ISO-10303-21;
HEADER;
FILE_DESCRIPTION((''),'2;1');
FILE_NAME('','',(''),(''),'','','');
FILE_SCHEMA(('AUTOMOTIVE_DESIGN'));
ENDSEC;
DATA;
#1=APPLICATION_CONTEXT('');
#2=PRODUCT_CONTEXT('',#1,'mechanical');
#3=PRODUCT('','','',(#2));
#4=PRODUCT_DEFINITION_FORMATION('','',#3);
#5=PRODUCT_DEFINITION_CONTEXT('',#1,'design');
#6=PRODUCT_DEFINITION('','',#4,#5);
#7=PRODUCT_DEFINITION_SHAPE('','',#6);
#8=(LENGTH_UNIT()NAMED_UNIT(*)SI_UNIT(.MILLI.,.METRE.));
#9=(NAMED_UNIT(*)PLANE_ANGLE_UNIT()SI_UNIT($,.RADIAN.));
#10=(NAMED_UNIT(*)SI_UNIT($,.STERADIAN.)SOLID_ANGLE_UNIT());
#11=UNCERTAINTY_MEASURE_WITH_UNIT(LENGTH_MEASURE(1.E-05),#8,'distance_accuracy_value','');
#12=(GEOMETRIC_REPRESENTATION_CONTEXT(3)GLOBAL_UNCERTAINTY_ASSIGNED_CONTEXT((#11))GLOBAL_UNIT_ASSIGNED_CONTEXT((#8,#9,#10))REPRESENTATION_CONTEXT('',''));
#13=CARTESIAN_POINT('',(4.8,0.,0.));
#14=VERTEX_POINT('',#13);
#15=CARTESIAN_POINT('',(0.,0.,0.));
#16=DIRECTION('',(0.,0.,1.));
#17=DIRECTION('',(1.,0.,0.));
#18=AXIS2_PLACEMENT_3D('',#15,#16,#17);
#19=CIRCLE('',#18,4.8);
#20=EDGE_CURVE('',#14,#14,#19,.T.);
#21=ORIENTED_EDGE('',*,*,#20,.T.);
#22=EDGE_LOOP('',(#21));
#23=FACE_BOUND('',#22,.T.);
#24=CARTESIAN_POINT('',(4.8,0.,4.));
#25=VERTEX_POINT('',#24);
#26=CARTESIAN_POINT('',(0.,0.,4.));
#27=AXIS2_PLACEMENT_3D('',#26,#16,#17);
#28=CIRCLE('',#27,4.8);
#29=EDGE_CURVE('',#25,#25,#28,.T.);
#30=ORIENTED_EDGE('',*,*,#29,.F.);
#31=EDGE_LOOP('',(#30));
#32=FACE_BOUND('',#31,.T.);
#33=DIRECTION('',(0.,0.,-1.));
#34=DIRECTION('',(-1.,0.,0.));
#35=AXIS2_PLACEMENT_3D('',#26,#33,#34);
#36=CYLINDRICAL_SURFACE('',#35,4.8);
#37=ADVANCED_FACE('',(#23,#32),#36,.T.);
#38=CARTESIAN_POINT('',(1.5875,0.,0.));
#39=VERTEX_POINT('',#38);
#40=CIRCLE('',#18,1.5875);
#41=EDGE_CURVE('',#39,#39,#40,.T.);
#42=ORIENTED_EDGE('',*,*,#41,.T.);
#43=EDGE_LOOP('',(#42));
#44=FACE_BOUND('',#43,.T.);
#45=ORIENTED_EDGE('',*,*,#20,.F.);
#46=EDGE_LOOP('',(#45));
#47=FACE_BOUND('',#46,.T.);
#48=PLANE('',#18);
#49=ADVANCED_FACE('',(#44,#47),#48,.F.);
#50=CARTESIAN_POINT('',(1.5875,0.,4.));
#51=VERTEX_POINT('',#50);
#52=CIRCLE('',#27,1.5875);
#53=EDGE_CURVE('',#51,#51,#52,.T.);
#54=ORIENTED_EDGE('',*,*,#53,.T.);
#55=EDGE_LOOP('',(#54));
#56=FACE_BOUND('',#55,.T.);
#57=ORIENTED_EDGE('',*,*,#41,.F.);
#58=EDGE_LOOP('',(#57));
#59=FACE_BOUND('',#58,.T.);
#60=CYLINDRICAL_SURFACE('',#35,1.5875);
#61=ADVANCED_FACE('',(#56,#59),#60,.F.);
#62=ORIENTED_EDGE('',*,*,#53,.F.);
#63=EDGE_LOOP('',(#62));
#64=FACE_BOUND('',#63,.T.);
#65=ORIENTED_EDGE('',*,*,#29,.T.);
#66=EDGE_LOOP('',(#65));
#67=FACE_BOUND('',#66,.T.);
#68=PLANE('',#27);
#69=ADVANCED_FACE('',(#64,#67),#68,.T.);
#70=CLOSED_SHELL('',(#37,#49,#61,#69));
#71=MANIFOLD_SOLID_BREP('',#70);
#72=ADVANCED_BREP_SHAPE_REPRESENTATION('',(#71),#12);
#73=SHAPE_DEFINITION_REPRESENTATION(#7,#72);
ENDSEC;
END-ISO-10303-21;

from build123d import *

# Parameters (mm, degrees)
SKETCH1_R           = 4.8
SKETCH1_R_2         = 1.5875
BOSS_EXTRUDE1_DEPTH = 4


with BuildPart() as part:
    # Sketch1 → Boss-Extrude1 (new body)
    with BuildSketch(Plane.XY):
        Circle(SKETCH1_R)
        Circle(SKETCH1_R_2, mode=Mode.SUBTRACT)
    extrude(amount=BOSS_EXTRUDE1_DEPTH)


solid = part.part
